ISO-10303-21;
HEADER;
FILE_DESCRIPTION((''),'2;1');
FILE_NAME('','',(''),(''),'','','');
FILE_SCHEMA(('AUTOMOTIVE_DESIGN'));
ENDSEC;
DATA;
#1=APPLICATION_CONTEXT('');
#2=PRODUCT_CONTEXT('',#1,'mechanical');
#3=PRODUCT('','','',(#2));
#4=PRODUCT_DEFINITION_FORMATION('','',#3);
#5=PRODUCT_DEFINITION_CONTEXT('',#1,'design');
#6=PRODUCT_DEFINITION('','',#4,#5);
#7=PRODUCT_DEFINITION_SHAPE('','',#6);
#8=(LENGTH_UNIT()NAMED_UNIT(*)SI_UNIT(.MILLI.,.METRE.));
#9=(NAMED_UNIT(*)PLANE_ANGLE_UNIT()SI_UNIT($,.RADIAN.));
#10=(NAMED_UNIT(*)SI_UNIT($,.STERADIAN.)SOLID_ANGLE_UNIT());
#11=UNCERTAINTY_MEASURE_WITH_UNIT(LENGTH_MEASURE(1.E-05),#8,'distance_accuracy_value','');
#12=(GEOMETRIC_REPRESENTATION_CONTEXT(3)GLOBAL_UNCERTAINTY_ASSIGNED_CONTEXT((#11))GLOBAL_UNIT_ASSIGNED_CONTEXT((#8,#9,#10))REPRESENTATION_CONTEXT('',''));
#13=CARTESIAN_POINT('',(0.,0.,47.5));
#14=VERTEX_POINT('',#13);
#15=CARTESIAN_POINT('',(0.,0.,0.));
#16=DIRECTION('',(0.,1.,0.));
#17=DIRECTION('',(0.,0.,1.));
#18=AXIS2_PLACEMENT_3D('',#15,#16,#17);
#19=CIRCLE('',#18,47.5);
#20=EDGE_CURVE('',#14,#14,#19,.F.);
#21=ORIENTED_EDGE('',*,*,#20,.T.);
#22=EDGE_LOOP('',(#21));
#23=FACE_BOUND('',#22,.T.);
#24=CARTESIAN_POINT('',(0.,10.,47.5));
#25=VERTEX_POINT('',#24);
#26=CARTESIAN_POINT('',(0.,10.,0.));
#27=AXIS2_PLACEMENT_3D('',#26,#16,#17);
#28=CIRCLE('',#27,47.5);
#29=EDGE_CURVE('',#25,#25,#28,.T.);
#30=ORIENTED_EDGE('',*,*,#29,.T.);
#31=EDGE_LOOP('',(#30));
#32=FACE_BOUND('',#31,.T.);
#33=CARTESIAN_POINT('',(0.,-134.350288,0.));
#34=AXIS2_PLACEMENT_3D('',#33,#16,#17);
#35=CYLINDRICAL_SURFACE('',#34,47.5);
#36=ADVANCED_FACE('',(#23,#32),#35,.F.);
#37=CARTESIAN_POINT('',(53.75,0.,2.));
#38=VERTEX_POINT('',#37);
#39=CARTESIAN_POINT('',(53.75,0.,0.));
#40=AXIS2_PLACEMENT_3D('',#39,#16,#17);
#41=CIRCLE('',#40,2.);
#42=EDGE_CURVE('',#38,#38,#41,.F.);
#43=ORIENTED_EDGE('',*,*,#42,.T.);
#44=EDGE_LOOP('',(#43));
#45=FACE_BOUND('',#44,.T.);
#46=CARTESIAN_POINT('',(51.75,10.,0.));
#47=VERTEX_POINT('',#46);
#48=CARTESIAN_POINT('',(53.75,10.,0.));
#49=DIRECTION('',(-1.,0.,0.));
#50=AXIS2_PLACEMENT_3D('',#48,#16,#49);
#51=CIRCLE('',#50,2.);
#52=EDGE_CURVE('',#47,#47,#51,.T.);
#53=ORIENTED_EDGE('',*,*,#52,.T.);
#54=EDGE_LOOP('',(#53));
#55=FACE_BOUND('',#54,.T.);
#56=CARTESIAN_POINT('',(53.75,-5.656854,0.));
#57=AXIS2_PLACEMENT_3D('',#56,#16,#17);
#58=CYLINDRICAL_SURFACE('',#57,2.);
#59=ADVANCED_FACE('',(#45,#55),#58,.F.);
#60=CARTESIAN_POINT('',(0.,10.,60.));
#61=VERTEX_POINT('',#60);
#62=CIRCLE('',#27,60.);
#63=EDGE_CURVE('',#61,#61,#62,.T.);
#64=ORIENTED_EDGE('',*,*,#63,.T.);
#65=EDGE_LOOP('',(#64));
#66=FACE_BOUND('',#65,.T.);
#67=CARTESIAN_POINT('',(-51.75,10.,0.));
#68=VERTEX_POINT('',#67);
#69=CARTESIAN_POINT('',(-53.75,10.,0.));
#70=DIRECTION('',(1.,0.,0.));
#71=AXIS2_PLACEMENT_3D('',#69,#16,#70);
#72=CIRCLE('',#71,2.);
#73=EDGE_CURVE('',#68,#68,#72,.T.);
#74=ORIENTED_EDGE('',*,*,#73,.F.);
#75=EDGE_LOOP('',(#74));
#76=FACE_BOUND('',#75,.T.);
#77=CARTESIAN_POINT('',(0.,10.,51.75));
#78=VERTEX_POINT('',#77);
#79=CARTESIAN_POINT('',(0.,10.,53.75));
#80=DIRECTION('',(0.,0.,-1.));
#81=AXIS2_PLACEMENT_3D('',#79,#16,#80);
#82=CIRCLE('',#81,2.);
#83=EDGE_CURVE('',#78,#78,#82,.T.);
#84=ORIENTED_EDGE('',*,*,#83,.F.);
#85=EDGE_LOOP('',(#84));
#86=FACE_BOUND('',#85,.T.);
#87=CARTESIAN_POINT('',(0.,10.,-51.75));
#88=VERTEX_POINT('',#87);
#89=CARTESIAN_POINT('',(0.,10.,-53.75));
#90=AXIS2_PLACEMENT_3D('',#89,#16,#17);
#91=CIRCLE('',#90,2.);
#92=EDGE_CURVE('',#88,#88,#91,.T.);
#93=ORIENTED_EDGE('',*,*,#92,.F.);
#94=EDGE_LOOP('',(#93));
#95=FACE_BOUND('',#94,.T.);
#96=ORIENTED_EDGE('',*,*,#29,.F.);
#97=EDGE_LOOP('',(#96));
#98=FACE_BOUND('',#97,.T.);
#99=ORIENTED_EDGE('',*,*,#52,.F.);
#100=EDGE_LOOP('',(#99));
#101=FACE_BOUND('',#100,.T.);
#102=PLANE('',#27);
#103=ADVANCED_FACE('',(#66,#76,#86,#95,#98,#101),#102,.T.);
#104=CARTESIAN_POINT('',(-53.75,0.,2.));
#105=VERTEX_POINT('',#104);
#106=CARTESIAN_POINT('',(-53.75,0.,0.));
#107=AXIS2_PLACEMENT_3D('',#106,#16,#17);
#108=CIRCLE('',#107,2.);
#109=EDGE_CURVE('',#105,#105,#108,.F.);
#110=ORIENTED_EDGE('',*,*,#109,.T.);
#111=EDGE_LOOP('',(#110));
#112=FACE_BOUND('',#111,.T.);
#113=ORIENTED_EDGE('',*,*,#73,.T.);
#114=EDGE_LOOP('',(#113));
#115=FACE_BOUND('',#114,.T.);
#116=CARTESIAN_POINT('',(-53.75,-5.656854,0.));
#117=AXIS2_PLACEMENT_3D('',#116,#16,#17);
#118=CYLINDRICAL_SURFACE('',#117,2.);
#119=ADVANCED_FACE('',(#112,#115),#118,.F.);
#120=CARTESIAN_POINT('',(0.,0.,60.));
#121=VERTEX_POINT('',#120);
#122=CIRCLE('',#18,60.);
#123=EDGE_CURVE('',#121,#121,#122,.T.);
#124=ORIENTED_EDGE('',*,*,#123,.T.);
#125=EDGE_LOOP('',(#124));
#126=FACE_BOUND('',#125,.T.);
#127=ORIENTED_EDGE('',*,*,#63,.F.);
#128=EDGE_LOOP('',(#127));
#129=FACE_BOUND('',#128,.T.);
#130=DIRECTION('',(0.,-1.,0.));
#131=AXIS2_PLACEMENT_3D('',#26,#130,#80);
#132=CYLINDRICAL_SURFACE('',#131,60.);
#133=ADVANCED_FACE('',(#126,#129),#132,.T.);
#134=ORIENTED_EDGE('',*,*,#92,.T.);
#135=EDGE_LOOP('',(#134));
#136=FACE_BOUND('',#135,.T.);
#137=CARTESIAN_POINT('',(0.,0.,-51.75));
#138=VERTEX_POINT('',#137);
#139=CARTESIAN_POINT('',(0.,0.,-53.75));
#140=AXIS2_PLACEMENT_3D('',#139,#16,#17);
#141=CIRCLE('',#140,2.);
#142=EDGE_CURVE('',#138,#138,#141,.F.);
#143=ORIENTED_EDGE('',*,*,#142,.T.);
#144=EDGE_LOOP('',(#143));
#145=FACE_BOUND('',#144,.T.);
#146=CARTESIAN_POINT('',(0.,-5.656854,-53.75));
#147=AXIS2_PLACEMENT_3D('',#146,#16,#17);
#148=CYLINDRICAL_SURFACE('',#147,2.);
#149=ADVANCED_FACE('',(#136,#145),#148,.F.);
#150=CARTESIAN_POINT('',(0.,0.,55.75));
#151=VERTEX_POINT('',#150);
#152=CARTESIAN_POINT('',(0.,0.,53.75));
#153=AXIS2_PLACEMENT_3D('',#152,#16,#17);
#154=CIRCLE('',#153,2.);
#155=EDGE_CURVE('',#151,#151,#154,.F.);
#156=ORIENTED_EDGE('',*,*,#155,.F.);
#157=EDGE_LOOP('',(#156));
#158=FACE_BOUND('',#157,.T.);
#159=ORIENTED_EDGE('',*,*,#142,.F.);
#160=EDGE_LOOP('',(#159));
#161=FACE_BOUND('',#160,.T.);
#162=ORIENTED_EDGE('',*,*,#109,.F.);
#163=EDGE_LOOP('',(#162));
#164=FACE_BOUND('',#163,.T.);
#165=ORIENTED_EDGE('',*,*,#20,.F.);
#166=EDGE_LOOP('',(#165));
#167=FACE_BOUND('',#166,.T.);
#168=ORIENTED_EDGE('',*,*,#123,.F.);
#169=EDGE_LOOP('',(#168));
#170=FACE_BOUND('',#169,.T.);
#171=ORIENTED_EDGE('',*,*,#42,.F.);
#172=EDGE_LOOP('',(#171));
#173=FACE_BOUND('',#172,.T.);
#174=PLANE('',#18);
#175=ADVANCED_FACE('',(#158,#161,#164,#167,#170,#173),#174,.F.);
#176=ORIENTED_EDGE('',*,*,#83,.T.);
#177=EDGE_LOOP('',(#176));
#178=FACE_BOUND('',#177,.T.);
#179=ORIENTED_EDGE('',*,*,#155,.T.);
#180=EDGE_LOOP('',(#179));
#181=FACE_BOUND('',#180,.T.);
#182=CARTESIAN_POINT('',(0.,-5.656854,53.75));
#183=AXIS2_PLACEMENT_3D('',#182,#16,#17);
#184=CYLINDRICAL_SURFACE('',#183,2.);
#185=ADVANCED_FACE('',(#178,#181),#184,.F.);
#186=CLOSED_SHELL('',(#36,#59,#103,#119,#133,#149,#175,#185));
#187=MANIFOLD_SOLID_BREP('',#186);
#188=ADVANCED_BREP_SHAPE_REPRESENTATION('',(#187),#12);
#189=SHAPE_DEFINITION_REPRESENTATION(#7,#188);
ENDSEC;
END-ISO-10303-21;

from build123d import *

# Parameters (mm, degrees)
SKETCH1_R           = 60
BOSS_EXTRUDE1_DEPTH = 10
SKETCH2_R           = 47.5
CUT_EXTRUDE1_DEPTH  = 10
SKETCH4_R           = 2
CUT_EXTRUDE2_DEPTH  = 10
CIRPATTERN1_COUNT   = 4


with BuildPart() as part:
    # Sketch1 → Boss-Extrude1 (new body)
    with BuildSketch(Plane(origin=(0, 0, 0), x_dir=(1, 0, 0), z_dir=(0, 1, 0))):
        with Locations(Location((0, 0, 0), (0, 0, 270))):
            Circle(SKETCH1_R)
    extrude(amount=BOSS_EXTRUDE1_DEPTH)

    # Sketch2 → Cut-Extrude1 (cut)
    with BuildSketch(Plane(origin=(0, 10, 0), x_dir=(1, 0, 0), z_dir=(0, 1, 0))):
        with Locations(Location((0, 0, 0), (0, 0, 270))):
            Circle(SKETCH2_R)
    extrude(amount=-CUT_EXTRUDE1_DEPTH, mode=Mode.SUBTRACT)

    # Sketch4 → Cut-Extrude2 (cut)
    with BuildSketch(Plane(origin=(0, 10, 0), x_dir=(1, 0, 0), z_dir=(0, 1, 0))):
        with Locations(Location((0, 53.75, 0), (0, 0, 270))):
            Circle(SKETCH4_R)
    cut_extrude2 = extrude(amount=-CUT_EXTRUDE2_DEPTH, mode=Mode.SUBTRACT)

    # CirPattern1: Cut-Extrude2 ×4 about axis
    cirpattern1_axis = Axis((0, 0, 0), (0, 1, 0))
    for i in range(1, CIRPATTERN1_COUNT):
        add(cut_extrude2.rotate(cirpattern1_axis, i * 360 / CIRPATTERN1_COUNT), mode=Mode.SUBTRACT)


solid = part.part
